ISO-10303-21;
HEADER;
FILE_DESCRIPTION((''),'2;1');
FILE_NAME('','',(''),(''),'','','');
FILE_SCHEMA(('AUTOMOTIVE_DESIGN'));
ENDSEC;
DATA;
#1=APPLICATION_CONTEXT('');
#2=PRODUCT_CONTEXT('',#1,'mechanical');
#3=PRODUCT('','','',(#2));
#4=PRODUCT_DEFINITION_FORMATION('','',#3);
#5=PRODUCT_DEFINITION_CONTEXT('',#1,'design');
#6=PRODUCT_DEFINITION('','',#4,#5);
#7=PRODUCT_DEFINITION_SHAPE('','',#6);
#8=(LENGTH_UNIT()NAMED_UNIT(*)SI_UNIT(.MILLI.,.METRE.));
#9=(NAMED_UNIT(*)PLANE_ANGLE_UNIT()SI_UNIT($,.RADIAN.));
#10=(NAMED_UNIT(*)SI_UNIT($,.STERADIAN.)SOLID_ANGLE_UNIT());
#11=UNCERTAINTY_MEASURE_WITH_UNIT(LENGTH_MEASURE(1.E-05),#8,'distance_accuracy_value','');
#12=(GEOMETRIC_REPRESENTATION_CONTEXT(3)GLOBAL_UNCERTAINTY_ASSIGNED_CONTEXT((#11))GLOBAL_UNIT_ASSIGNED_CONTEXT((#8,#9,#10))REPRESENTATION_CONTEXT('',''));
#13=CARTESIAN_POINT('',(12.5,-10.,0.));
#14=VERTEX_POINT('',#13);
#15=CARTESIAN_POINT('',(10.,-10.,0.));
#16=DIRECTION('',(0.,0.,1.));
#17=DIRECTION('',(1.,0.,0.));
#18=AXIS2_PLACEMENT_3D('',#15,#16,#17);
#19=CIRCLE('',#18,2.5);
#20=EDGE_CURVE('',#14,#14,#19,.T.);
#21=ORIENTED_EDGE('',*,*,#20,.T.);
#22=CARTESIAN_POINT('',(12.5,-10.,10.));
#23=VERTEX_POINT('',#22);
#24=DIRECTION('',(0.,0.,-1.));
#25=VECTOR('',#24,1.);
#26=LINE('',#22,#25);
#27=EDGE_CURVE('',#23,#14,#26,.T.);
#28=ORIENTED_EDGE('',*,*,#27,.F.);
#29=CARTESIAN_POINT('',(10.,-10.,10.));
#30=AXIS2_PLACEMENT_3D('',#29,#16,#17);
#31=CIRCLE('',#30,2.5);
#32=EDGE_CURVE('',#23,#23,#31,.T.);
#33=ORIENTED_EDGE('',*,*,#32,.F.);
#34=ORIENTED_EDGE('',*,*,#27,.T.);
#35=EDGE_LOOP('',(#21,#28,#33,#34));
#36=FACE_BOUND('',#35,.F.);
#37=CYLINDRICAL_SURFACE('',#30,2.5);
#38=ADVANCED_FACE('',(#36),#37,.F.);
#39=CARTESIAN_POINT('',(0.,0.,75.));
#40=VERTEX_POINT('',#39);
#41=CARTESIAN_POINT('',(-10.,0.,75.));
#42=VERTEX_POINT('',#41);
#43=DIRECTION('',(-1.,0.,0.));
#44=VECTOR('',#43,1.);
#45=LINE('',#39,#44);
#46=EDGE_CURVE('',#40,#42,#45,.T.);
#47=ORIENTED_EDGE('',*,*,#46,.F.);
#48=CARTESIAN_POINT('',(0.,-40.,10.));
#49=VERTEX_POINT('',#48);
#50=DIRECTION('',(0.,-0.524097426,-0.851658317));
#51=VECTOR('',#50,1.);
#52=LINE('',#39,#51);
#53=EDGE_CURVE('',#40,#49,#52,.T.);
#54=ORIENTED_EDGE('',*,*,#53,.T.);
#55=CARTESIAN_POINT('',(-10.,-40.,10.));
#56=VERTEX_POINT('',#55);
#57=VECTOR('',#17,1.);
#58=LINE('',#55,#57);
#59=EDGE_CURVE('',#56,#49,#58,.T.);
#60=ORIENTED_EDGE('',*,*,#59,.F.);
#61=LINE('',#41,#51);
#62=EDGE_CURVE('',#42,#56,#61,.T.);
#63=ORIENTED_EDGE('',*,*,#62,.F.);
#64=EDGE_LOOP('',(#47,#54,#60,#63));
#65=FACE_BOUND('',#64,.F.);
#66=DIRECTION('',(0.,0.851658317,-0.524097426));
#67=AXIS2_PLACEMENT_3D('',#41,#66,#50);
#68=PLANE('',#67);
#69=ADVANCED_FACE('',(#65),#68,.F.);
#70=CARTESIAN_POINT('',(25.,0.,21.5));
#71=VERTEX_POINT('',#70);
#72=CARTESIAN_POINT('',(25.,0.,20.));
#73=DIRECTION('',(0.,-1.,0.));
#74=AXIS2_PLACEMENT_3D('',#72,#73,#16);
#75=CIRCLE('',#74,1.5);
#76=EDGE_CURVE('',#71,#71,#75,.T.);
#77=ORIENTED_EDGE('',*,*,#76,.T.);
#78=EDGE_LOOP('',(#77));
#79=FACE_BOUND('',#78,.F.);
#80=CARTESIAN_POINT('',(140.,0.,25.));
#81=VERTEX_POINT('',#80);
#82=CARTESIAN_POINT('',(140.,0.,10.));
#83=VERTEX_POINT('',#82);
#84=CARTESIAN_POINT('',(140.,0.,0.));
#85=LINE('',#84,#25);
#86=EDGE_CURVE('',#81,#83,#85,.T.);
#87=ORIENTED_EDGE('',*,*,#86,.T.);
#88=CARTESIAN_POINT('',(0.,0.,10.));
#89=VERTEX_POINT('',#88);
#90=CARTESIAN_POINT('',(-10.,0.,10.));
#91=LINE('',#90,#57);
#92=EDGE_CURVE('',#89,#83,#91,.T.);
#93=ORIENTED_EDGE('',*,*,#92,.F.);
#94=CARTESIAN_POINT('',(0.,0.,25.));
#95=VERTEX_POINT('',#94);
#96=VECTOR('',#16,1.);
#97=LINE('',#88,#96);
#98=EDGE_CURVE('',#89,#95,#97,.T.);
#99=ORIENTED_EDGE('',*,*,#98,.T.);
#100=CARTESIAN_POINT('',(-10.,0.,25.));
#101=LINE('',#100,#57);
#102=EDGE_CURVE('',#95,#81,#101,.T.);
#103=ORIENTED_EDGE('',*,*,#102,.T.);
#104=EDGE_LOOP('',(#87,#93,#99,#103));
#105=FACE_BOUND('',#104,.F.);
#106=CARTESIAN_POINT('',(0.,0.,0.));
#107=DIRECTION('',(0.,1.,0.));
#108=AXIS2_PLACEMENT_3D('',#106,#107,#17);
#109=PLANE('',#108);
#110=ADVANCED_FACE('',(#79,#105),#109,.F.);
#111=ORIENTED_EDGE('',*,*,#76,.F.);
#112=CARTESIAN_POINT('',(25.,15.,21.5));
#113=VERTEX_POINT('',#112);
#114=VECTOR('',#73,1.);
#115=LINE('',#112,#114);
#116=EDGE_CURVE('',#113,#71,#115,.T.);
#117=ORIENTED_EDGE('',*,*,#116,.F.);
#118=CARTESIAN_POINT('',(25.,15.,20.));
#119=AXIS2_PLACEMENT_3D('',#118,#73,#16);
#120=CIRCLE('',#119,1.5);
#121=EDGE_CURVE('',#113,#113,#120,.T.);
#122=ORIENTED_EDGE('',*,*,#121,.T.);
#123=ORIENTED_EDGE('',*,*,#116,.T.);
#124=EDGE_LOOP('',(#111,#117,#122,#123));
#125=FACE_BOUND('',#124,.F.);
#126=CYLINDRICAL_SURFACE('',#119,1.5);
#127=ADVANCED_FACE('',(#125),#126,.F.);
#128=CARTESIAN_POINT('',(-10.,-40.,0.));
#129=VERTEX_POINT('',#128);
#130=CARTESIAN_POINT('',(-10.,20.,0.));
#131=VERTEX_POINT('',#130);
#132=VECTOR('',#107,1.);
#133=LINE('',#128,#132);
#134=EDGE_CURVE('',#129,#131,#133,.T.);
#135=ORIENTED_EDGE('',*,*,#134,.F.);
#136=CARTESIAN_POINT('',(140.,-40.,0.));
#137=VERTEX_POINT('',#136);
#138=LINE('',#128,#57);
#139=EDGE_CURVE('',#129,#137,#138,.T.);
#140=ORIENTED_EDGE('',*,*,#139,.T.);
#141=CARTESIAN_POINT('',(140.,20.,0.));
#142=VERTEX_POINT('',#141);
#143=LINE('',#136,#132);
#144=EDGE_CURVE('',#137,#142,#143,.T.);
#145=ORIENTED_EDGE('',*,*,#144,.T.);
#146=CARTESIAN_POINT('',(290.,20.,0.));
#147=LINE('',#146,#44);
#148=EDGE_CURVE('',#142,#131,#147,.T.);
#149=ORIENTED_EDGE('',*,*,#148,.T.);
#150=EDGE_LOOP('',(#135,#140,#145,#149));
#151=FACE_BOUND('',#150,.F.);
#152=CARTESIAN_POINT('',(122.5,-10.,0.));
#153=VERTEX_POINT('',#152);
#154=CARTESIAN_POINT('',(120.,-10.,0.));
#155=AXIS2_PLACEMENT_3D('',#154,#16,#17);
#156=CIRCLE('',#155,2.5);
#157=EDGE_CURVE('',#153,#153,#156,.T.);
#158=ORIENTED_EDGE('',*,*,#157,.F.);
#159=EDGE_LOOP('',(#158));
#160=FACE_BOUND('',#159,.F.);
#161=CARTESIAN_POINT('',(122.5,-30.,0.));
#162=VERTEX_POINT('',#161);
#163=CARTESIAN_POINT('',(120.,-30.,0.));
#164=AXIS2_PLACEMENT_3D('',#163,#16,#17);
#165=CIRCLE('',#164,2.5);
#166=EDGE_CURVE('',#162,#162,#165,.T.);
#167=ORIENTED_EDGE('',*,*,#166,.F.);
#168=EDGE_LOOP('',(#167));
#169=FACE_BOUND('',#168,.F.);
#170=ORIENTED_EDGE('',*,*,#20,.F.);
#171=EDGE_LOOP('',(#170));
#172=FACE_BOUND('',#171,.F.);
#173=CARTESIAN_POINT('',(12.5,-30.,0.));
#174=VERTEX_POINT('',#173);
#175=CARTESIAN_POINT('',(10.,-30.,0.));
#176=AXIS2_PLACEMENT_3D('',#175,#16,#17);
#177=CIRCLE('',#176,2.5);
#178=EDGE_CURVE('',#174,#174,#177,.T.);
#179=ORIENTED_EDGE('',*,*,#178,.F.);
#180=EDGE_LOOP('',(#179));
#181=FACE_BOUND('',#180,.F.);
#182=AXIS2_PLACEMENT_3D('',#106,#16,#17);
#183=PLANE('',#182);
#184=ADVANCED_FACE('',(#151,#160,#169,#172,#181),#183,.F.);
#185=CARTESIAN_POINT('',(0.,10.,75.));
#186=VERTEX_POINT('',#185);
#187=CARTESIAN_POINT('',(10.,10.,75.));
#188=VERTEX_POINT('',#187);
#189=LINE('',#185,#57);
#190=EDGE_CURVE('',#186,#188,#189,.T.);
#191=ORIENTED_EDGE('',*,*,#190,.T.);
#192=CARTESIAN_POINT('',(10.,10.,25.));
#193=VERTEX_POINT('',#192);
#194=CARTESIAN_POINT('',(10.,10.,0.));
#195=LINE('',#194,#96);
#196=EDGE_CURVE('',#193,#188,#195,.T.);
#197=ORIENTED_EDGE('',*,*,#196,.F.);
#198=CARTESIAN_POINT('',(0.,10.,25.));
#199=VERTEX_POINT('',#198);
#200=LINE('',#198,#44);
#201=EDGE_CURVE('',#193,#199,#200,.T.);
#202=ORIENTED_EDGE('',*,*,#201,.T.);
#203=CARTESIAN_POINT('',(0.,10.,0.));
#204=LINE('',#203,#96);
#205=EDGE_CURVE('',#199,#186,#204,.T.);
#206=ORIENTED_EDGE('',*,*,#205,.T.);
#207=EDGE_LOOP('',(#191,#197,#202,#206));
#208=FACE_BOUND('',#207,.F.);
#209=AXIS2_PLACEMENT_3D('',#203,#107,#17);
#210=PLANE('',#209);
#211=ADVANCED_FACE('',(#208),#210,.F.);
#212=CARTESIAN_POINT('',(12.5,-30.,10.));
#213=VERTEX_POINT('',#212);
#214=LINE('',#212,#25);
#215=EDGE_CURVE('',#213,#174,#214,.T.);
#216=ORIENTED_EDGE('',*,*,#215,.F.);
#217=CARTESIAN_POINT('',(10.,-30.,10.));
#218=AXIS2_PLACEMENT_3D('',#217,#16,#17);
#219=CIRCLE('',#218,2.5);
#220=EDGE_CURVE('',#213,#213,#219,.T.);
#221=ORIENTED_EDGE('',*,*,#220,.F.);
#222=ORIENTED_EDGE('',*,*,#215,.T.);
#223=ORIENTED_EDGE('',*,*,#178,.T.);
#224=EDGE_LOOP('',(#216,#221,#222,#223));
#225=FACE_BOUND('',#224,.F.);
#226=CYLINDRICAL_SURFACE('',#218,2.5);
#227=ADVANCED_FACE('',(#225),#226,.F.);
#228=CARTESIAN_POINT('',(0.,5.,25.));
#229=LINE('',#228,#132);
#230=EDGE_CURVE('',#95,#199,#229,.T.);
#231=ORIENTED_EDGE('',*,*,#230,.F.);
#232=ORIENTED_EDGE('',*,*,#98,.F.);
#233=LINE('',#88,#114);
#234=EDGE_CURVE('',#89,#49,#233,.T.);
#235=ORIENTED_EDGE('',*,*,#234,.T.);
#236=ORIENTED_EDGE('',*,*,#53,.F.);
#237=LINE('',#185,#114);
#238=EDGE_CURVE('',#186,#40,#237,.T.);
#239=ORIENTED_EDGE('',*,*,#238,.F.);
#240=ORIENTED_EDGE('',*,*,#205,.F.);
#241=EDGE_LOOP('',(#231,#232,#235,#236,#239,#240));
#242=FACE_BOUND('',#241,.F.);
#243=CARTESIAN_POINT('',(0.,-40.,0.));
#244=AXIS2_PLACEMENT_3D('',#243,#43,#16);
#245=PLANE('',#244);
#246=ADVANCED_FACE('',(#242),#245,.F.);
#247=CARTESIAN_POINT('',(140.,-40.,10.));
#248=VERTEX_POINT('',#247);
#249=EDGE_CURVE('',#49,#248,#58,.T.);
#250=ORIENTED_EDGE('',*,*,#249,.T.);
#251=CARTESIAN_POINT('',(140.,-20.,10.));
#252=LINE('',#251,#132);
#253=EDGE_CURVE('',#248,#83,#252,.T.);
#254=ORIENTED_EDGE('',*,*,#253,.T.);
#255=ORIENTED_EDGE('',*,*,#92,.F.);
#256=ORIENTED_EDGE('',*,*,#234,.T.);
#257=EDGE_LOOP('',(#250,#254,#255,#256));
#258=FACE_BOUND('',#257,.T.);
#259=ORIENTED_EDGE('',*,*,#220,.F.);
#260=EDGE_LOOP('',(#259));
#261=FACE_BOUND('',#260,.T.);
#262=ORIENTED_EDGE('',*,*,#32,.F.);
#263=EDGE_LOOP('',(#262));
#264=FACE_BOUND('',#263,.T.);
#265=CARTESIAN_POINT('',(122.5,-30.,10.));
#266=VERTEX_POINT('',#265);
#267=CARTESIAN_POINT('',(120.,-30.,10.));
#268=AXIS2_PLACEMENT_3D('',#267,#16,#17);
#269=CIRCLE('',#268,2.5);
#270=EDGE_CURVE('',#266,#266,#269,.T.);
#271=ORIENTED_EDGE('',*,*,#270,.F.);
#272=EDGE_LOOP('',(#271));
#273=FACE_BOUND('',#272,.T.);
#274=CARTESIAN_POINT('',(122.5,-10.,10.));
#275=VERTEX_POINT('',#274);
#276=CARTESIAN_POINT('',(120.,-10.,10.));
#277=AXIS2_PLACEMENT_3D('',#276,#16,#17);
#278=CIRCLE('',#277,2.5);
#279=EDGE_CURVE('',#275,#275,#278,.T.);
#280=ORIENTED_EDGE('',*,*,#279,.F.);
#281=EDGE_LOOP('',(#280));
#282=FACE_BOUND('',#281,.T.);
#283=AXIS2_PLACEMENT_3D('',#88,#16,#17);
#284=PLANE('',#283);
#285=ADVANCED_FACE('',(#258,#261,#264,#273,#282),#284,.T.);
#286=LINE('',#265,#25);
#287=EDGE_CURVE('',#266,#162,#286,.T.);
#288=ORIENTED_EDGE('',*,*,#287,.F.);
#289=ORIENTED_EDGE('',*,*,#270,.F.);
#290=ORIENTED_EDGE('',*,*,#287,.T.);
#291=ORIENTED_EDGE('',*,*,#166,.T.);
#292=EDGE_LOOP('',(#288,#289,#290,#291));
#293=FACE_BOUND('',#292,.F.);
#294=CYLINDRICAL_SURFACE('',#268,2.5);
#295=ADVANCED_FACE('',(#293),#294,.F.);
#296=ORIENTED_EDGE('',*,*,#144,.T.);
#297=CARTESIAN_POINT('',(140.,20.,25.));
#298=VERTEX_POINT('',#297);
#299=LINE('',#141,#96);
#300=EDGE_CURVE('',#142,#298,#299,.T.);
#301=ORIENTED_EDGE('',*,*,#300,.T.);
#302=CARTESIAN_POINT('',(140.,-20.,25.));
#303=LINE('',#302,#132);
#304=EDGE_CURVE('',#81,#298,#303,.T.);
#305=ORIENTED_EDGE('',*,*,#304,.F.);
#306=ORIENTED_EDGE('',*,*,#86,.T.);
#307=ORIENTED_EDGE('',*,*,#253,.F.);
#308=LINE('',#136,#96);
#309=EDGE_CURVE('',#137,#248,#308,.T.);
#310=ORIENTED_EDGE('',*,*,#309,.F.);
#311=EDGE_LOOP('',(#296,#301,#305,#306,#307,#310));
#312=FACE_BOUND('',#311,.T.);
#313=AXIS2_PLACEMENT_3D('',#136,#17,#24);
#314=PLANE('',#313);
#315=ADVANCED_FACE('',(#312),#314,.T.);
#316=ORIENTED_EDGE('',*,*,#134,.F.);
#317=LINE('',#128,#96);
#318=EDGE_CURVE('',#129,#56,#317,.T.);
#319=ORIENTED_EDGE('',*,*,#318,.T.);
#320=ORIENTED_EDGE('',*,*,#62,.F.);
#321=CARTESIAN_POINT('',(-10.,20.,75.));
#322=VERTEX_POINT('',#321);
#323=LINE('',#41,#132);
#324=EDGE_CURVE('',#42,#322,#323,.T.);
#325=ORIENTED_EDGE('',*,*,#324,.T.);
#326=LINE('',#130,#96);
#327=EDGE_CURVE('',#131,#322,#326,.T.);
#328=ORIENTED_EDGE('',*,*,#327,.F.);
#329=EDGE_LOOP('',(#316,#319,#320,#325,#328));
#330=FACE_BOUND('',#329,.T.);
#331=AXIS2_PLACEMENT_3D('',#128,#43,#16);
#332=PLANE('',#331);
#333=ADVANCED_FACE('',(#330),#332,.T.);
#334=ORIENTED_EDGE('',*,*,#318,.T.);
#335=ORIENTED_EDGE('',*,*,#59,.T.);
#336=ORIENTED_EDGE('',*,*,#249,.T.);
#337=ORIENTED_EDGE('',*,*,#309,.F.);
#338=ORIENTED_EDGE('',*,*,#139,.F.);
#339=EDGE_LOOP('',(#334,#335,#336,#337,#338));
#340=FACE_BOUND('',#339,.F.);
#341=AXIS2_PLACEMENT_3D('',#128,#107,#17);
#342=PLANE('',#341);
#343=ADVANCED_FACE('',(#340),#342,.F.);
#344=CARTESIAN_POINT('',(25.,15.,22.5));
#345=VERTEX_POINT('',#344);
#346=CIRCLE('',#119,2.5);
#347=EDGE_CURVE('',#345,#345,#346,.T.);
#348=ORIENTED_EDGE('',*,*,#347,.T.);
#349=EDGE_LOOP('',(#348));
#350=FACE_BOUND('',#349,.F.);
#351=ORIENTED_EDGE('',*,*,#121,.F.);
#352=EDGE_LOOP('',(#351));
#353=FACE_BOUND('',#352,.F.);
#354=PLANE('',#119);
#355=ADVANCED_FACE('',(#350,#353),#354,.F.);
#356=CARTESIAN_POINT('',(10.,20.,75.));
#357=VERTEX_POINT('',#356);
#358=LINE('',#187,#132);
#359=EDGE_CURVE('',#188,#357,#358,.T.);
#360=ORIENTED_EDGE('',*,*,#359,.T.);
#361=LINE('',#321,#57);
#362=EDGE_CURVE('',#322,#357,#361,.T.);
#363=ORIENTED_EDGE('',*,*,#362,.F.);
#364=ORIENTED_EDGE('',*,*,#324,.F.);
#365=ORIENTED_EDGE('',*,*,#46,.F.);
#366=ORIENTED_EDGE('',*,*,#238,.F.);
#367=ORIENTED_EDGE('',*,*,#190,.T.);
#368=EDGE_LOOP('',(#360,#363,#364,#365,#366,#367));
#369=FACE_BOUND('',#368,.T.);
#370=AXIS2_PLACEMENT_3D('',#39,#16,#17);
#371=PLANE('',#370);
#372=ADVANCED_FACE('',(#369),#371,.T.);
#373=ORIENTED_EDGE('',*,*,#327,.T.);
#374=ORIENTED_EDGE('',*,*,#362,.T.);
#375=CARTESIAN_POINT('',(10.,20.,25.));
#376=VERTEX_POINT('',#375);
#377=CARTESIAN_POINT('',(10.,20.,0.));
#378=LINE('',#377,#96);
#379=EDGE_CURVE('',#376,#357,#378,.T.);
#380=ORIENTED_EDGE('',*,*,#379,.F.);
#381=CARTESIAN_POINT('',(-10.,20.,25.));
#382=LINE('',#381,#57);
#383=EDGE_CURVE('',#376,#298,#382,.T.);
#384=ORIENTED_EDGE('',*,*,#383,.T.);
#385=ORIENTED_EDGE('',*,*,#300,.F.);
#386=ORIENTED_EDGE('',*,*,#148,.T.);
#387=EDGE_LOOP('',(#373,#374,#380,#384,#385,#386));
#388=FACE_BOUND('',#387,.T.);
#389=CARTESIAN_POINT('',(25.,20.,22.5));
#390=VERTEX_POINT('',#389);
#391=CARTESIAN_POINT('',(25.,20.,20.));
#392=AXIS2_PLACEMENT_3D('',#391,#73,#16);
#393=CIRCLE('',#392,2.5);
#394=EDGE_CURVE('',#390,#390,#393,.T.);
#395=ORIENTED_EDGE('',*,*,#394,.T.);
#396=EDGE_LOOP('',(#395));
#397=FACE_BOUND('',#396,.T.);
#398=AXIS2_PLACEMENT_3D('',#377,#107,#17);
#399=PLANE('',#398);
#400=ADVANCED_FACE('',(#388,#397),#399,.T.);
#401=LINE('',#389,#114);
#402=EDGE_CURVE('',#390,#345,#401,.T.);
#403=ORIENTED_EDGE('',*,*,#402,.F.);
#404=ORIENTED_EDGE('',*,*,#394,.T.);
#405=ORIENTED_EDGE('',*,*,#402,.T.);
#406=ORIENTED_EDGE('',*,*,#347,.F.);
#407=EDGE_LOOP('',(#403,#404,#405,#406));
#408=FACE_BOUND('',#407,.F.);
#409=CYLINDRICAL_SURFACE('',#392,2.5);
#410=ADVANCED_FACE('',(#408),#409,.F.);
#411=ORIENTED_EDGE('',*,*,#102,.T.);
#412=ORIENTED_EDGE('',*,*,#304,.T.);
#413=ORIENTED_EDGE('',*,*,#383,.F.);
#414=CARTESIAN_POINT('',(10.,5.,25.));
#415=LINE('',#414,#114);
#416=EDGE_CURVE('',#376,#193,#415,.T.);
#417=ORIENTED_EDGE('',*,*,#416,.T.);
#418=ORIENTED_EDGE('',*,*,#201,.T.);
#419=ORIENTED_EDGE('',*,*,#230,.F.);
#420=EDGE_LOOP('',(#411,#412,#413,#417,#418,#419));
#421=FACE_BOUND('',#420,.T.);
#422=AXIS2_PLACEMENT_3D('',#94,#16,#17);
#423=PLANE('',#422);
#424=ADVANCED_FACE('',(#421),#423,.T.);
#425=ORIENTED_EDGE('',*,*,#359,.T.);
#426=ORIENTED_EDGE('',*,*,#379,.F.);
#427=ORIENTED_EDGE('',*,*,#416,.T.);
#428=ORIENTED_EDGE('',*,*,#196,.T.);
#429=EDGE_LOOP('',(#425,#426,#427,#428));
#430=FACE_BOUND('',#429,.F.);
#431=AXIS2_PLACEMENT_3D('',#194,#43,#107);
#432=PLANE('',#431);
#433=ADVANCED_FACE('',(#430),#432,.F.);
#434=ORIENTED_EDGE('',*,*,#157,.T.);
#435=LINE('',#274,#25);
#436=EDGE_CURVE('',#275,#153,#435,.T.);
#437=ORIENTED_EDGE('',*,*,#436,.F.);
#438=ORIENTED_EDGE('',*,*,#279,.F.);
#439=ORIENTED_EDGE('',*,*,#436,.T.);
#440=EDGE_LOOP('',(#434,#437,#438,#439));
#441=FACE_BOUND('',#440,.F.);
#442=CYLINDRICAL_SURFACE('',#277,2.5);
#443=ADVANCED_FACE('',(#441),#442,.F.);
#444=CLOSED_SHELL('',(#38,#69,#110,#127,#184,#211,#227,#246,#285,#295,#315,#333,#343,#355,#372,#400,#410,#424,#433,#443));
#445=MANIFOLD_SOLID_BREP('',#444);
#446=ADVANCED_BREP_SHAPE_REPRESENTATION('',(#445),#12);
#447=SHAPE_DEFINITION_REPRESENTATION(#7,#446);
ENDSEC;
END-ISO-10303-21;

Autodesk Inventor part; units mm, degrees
ref_plane "YZ Plane" through (0, 0, 0) normal (1, 0, 0) x (0, 1, 0)
sketch "스케치1" plane through (0, 0, 0) normal (0, 0, 1) x (1, 0, 0)
  line L0 (0, 10) -> (0, 0)
  line L1 (-10, 10) -> (-10, 20)
  line L2 (-10, 20) -> (290, 20)
  line L3 (290, 20) -> (290, 10)
  line L4 (0, 0) -> (280, 0)
  line L5 (290, 10) -> (290, -40)
  line L6 (-10, 10) -> (-10, -40)
  line L7 (-10, -40) -> (290, -40)
  line L8 (0, 10) -> (10, 10)
  line L9 (10, 10) -> (10, 20)
  line L10 (140, 20) -> (140, 10)
  line L11 (0, 0) -> (-10, 0)
  line L12 (280, 10) -> (280, 0)
  line L13 (280, 10) -> (270, 10)
  line L14 (270, 10) -> (270, 20)
  line L15 (280, 0) -> (290, 0)
  point P0 (140, 0)
  dimension "d2" = 10
  dimension "d5" = 10
  dimension "d6" = 300
  dimension "d9" = 60
  dimension "d12" = 10
  dimension "d13" = 10
extrude "돌출1" add sketch "스케치1" along normal blind 25 contours L8 L9 L2 L14 L13 L12 L4 L0 | L0 L11 L6 L1 L2 L9 L8 | L12 L13 L14 L2 L3 L5 L15
extrude "돌출2" add sketch "스케치1" along normal blind 10 contours L8 L9 L2 L14 L13 L12 L4 L0 | L4 L15 L5 L7 L6 L11
extrude "돌출3" add sketch "스케치1" along normal blind 75 contours L0 L11 L6 L1 L2 L9 L8 | L12 L13 L14 L2 L3 L5 L15
sketch "스케치2" plane through (-10, -40, 0) normal (-1, 0, 0) x (0, 0, 1)
  line L0 (0, 60) -> (0, 0) projected
  line L1 (0, 0) -> (10, 0) projected
  line L2 (10, 40) -> (10, 0) projected
  line L3 (10, 40) -> (75, 40) projected
  line L4 (75, 60) -> (75, 40) projected
  line L5 (0, 60) -> (75, 60) projected
  line L6 (75, 40) -> (10, 0)
  point P0 (0, 40)
extrude "돌출4" add sketch "스케치2" against normal up to surface (10 mm away) contours L2 L3 L6
ref_plane "작업 평면1" through (140, -40, 0) normal (1, 0, 0) x (0, 0, -1)
mirror "미러1" about plane through (140, -40, 0) normal (1, 0, 0) of "돌출4"
sketch "스케치3" plane through (0, 0, 10) normal (0, 0, 1) x (1, 0, 0)
  circle A0 centre (10, -10) radius 2.5
  circle A1 centre (120, -10) radius 2.5
  line L0 (270, 20) -> (10, 20) projected
  line L1 (290, -40) -> (290, 0) projected
  line L2 (-10, -40) -> (-10, 0) projected
  circle A2 centre (10, -30) radius 2.5
  circle A3 centre (120, -30) radius 2.5
  line L3 (140, 20) -> (140, -20)
  point P0 (0, 0)
  dimension "d18" = 30
  dimension "d19" = 5
  dimension "d21" = 20
  dimension "d24" = 5
  dimension "d25" = 20
  dimension "d38" = 20
extrude "돌출5" cut sketch "스케치3" against normal through all
sketch "스케치4" plane through (-10, 20, 0) normal (0, 1, 0) x (1, 0, 0)
  line L0 (280, -25) -> (280, -75) projected
  line L1 (20, -25) -> (20, -75) projected
  line L2 (280, -25) -> (20, -25) projected
  point P0 (10, 0)
  point P1 (35, -20)
  point P2 (265, -20)
  dimension "d26" = 15
  dimension "d27" = 15
  dimension "d28" = 5
hole "구멍1" at (25, 20, 20) at (255, 20, 20) direction (0, -1, 0) diameter 3 end through all counterbore diameter 5 counterbore depth 5
ref_plane "작업 평면2" through (140, -40, 0) normal (1, 0, 0) x (0, 0, -1)
sketch "스케치5" plane through (140, -40, 0) normal (1, 0, 0) x (0, 0, -1)
  line L0 (0, 0) -> (-10, 0) projected
  line L1 (0, 0) -> (0, 60) projected
  line L2 (0, 60) -> (-75, 60) projected
  line L3 (-75, 40) -> (-75, 60) projected
  line L4 (-10, 0) -> (-75, 40) projected
  point P0 (0, 40)
extrude "돌출6" cut sketch "스케치5" along normal through all
properties part number "ModuleConnector"
